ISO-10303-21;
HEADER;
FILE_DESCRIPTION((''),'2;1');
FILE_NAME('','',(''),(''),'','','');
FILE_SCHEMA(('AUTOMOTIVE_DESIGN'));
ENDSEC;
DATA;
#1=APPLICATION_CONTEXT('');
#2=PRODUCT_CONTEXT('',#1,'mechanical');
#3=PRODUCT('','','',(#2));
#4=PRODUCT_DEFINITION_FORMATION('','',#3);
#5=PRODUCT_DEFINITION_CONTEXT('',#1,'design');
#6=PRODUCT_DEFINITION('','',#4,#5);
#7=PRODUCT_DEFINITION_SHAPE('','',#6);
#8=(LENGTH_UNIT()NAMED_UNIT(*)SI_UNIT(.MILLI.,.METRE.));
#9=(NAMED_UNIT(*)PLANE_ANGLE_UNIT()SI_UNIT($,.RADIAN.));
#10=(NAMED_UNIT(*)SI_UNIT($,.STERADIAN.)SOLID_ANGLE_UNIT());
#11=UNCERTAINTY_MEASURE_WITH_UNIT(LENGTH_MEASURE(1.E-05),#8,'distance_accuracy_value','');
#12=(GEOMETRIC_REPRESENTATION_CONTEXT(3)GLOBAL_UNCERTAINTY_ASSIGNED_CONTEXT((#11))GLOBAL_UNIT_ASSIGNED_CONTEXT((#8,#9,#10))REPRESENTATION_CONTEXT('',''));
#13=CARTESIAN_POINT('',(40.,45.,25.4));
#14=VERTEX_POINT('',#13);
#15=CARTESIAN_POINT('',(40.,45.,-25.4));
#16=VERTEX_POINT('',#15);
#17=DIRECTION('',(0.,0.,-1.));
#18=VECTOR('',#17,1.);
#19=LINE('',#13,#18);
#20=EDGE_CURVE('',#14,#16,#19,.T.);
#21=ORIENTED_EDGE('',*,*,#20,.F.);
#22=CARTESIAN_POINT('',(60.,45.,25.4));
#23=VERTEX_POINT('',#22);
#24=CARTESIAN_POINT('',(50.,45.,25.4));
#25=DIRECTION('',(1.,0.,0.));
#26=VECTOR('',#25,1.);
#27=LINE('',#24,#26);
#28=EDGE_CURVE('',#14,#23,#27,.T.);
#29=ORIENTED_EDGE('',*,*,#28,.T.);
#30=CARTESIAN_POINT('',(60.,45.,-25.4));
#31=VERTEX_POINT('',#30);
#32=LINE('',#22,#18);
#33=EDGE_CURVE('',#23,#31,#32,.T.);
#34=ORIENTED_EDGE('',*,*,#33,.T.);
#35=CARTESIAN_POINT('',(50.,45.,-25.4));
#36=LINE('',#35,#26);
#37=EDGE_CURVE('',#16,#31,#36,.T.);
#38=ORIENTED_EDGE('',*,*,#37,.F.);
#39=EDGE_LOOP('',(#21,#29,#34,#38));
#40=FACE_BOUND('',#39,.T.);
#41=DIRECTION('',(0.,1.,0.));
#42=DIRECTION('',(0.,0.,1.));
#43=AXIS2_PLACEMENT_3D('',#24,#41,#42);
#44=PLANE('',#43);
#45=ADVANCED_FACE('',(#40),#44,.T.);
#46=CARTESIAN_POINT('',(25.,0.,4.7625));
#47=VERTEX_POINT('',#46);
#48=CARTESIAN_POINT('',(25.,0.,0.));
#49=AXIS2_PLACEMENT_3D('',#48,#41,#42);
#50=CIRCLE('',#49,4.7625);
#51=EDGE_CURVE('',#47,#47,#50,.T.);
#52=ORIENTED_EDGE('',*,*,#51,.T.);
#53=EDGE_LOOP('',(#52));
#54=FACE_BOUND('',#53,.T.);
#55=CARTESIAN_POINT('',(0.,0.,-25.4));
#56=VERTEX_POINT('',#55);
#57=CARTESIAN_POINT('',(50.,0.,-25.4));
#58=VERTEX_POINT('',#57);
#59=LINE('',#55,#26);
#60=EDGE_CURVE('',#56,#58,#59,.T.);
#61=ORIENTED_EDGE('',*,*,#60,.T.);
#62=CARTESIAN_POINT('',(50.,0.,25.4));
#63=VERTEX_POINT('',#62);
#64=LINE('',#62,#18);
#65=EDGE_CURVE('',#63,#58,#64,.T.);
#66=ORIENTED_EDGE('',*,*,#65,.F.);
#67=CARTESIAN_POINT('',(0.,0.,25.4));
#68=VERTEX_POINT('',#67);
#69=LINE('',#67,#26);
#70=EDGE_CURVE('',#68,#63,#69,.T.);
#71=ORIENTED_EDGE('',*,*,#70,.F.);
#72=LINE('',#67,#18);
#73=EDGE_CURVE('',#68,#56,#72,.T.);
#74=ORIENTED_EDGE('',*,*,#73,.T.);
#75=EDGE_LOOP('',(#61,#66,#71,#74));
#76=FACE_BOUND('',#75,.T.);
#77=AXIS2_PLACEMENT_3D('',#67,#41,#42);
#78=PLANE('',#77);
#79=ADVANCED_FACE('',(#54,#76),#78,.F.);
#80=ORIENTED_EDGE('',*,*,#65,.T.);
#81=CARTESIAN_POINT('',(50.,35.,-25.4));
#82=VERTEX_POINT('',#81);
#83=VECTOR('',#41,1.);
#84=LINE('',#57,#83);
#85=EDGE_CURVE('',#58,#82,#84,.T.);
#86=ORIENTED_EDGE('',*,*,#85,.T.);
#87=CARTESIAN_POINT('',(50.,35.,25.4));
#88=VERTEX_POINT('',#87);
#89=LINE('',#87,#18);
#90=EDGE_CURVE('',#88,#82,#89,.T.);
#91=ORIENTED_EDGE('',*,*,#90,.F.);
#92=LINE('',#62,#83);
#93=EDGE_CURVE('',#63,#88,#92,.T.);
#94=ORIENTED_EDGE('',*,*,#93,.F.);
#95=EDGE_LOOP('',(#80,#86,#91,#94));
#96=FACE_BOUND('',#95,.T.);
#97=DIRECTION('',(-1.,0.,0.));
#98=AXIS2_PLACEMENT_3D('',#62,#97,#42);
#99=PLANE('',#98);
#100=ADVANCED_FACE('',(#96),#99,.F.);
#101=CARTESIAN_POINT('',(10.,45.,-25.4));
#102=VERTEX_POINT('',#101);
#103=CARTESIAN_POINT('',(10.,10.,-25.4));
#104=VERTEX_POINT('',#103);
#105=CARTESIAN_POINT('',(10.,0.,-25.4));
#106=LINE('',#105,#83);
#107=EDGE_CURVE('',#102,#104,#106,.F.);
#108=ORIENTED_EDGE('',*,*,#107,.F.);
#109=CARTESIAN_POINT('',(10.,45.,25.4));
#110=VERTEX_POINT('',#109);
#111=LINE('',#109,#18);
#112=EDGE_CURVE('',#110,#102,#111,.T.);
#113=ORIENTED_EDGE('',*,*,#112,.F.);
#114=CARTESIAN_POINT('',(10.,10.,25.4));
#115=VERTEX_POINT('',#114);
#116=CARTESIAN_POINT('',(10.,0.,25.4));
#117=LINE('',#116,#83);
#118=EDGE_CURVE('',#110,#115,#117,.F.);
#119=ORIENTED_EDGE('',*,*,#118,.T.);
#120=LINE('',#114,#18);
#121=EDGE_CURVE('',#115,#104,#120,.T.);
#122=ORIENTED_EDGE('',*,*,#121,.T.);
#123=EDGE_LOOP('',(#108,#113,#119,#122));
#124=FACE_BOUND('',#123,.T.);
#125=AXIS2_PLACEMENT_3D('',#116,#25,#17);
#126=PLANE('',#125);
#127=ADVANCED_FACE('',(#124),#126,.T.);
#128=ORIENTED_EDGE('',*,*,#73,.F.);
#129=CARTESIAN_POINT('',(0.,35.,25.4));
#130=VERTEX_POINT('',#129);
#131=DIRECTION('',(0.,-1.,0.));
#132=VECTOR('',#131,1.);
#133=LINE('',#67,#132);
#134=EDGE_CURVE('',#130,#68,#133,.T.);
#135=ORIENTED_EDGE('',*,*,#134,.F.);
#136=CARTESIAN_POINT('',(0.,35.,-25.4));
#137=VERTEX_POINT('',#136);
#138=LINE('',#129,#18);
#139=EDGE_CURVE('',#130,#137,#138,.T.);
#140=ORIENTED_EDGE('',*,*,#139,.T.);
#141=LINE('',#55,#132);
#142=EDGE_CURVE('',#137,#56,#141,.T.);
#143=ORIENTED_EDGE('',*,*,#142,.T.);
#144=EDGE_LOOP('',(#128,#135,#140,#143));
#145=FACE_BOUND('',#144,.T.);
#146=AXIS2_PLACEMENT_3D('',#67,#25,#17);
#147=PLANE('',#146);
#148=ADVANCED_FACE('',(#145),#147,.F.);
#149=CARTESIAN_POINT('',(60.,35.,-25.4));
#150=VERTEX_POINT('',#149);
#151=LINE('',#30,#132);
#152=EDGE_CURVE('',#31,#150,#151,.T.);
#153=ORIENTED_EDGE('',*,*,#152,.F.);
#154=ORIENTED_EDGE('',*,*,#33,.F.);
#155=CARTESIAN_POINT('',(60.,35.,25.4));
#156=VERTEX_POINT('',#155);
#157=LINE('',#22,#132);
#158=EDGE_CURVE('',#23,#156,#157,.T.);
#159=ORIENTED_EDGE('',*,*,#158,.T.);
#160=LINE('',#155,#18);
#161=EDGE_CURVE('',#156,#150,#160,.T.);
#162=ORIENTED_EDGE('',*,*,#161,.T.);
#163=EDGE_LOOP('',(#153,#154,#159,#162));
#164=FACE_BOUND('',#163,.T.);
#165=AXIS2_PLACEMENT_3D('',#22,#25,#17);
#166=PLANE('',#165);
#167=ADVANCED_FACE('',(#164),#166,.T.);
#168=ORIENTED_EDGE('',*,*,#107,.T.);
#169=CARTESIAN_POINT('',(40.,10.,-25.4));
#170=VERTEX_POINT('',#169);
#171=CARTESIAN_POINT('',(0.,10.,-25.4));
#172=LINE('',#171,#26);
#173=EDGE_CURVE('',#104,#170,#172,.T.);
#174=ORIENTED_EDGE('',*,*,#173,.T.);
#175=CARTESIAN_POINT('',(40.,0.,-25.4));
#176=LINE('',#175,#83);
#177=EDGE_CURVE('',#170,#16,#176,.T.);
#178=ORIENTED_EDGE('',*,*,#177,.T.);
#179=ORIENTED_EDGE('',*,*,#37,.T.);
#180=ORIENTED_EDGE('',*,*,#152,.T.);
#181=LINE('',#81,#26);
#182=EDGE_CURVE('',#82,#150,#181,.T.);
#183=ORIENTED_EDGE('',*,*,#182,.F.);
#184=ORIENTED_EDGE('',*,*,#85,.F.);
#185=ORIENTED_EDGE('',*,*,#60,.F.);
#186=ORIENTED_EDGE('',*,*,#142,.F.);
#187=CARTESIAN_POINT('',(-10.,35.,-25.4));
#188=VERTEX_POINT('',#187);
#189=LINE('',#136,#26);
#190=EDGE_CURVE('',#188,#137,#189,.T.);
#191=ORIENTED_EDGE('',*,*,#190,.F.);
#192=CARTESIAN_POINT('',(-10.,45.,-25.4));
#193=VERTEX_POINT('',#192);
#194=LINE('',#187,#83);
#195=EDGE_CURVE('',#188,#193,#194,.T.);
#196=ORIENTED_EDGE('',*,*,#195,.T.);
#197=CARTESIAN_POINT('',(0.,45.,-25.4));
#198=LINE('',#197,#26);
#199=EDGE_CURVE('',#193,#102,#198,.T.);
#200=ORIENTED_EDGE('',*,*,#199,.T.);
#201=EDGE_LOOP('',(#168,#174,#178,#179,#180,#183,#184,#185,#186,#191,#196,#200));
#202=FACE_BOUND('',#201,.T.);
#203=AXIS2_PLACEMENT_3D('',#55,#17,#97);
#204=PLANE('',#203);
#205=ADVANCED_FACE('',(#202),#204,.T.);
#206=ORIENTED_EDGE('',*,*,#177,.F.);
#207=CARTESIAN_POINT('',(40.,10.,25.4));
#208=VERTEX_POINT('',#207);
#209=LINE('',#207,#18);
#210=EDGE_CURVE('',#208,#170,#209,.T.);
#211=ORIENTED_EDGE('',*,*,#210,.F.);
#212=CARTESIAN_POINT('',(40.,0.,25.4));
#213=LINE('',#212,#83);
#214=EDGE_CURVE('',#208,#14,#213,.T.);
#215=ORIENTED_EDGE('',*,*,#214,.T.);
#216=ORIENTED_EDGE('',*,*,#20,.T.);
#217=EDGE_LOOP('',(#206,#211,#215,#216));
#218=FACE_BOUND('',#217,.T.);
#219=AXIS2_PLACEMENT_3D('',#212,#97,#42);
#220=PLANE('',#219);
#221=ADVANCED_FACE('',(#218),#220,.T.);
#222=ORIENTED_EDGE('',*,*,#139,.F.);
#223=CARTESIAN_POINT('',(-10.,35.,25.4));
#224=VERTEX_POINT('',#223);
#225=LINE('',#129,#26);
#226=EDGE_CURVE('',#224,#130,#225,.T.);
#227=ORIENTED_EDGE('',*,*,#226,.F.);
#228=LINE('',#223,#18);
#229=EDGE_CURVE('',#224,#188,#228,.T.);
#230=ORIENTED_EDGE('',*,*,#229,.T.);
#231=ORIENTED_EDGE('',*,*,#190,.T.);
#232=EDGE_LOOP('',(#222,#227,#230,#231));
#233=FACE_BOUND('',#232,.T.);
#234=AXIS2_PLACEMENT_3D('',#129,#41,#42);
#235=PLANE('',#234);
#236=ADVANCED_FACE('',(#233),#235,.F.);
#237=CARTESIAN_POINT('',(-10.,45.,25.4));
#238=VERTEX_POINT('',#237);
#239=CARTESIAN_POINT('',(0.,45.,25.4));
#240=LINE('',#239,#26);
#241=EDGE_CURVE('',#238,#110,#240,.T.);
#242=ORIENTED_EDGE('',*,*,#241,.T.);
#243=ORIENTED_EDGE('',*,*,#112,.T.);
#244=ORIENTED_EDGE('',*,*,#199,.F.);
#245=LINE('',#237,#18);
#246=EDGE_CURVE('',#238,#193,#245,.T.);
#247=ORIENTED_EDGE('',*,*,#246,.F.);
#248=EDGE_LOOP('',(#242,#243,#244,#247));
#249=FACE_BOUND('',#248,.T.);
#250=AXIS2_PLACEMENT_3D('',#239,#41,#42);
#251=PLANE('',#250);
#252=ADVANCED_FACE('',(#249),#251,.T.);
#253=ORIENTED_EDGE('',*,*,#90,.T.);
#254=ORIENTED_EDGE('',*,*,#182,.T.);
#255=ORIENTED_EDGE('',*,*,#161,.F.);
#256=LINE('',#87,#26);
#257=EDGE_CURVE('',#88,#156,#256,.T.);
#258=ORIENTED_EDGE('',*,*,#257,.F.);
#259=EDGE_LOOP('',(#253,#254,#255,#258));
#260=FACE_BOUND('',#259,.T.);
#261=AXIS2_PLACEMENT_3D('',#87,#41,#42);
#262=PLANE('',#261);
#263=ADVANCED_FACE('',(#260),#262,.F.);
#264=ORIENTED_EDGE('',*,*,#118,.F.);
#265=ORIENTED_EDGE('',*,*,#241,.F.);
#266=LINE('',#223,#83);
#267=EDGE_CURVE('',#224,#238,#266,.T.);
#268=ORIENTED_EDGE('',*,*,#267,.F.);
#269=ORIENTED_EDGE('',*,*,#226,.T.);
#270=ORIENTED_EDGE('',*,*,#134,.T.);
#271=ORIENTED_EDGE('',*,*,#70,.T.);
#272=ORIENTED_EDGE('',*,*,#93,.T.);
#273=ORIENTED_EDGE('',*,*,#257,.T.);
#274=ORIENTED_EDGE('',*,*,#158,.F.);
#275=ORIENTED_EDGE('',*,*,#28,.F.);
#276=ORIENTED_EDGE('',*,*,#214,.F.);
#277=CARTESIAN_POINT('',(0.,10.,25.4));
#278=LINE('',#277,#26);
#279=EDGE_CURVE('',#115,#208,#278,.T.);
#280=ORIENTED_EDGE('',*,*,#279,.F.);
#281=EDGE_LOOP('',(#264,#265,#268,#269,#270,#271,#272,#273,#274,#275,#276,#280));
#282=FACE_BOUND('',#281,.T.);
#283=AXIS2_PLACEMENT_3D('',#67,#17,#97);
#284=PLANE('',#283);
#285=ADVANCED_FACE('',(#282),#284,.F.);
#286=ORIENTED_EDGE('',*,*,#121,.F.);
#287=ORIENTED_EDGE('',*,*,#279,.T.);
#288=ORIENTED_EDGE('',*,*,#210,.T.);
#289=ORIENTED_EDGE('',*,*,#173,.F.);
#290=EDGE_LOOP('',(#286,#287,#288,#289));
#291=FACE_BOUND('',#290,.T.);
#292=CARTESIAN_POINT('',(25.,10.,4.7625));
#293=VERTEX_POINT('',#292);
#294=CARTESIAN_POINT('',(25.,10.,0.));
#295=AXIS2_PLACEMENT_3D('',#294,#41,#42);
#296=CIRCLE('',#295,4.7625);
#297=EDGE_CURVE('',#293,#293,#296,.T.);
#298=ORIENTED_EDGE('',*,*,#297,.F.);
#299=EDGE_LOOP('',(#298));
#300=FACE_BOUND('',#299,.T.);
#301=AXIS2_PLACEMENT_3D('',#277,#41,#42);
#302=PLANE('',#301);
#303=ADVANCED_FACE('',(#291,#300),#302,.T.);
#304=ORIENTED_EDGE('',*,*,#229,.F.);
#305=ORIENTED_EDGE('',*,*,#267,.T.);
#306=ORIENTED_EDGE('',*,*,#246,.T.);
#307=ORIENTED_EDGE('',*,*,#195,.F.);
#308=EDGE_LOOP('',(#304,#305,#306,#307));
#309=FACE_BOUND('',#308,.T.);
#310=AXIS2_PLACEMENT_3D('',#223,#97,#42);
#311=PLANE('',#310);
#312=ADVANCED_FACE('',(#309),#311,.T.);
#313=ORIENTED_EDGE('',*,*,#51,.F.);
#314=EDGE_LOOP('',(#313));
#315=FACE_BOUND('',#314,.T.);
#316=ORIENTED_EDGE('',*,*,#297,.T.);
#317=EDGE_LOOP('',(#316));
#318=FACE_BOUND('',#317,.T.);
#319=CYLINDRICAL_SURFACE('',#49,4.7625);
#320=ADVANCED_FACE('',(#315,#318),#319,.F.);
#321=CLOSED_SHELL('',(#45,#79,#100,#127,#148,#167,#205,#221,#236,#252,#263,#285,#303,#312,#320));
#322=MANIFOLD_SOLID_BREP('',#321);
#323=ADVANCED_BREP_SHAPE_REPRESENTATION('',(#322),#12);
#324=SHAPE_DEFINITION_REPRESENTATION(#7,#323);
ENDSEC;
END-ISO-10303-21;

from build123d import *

# Parameters (mm, degrees)
EXTRUIR_L_MINA1_DEPTH = 25.4
CROQUIS2_R            = 4.7625
CORTAR_EXTRUIR1_DEPTH = 74.960530014


with BuildPart() as part:
    # Croquis1 → Extruir-Lámina1 (new, symmetric)
    with BuildSketch(Plane.XY):
        Polygon((-10, 35), (0, 35), (0, 0), (50, 0), (50, 35), (60, 35), (60, 45), (40, 45), (40, 10), (10, 10), (10, 45), (-10, 45), align=None)
    extrude(amount=EXTRUIR_L_MINA1_DEPTH, both=True)

    # Croquis2 → Cortar-Extruir1 (cut, through all)
    with BuildSketch(Plane(origin=(0, 10, 0), x_dir=(1, 0, 0), z_dir=(0, 1, 0))):
        with Locations(Location((25, 0, 0), (0, 0, 270))):
            Circle(CROQUIS2_R)
    extrude(amount=-CORTAR_EXTRUIR1_DEPTH, mode=Mode.SUBTRACT)


solid = part.part
